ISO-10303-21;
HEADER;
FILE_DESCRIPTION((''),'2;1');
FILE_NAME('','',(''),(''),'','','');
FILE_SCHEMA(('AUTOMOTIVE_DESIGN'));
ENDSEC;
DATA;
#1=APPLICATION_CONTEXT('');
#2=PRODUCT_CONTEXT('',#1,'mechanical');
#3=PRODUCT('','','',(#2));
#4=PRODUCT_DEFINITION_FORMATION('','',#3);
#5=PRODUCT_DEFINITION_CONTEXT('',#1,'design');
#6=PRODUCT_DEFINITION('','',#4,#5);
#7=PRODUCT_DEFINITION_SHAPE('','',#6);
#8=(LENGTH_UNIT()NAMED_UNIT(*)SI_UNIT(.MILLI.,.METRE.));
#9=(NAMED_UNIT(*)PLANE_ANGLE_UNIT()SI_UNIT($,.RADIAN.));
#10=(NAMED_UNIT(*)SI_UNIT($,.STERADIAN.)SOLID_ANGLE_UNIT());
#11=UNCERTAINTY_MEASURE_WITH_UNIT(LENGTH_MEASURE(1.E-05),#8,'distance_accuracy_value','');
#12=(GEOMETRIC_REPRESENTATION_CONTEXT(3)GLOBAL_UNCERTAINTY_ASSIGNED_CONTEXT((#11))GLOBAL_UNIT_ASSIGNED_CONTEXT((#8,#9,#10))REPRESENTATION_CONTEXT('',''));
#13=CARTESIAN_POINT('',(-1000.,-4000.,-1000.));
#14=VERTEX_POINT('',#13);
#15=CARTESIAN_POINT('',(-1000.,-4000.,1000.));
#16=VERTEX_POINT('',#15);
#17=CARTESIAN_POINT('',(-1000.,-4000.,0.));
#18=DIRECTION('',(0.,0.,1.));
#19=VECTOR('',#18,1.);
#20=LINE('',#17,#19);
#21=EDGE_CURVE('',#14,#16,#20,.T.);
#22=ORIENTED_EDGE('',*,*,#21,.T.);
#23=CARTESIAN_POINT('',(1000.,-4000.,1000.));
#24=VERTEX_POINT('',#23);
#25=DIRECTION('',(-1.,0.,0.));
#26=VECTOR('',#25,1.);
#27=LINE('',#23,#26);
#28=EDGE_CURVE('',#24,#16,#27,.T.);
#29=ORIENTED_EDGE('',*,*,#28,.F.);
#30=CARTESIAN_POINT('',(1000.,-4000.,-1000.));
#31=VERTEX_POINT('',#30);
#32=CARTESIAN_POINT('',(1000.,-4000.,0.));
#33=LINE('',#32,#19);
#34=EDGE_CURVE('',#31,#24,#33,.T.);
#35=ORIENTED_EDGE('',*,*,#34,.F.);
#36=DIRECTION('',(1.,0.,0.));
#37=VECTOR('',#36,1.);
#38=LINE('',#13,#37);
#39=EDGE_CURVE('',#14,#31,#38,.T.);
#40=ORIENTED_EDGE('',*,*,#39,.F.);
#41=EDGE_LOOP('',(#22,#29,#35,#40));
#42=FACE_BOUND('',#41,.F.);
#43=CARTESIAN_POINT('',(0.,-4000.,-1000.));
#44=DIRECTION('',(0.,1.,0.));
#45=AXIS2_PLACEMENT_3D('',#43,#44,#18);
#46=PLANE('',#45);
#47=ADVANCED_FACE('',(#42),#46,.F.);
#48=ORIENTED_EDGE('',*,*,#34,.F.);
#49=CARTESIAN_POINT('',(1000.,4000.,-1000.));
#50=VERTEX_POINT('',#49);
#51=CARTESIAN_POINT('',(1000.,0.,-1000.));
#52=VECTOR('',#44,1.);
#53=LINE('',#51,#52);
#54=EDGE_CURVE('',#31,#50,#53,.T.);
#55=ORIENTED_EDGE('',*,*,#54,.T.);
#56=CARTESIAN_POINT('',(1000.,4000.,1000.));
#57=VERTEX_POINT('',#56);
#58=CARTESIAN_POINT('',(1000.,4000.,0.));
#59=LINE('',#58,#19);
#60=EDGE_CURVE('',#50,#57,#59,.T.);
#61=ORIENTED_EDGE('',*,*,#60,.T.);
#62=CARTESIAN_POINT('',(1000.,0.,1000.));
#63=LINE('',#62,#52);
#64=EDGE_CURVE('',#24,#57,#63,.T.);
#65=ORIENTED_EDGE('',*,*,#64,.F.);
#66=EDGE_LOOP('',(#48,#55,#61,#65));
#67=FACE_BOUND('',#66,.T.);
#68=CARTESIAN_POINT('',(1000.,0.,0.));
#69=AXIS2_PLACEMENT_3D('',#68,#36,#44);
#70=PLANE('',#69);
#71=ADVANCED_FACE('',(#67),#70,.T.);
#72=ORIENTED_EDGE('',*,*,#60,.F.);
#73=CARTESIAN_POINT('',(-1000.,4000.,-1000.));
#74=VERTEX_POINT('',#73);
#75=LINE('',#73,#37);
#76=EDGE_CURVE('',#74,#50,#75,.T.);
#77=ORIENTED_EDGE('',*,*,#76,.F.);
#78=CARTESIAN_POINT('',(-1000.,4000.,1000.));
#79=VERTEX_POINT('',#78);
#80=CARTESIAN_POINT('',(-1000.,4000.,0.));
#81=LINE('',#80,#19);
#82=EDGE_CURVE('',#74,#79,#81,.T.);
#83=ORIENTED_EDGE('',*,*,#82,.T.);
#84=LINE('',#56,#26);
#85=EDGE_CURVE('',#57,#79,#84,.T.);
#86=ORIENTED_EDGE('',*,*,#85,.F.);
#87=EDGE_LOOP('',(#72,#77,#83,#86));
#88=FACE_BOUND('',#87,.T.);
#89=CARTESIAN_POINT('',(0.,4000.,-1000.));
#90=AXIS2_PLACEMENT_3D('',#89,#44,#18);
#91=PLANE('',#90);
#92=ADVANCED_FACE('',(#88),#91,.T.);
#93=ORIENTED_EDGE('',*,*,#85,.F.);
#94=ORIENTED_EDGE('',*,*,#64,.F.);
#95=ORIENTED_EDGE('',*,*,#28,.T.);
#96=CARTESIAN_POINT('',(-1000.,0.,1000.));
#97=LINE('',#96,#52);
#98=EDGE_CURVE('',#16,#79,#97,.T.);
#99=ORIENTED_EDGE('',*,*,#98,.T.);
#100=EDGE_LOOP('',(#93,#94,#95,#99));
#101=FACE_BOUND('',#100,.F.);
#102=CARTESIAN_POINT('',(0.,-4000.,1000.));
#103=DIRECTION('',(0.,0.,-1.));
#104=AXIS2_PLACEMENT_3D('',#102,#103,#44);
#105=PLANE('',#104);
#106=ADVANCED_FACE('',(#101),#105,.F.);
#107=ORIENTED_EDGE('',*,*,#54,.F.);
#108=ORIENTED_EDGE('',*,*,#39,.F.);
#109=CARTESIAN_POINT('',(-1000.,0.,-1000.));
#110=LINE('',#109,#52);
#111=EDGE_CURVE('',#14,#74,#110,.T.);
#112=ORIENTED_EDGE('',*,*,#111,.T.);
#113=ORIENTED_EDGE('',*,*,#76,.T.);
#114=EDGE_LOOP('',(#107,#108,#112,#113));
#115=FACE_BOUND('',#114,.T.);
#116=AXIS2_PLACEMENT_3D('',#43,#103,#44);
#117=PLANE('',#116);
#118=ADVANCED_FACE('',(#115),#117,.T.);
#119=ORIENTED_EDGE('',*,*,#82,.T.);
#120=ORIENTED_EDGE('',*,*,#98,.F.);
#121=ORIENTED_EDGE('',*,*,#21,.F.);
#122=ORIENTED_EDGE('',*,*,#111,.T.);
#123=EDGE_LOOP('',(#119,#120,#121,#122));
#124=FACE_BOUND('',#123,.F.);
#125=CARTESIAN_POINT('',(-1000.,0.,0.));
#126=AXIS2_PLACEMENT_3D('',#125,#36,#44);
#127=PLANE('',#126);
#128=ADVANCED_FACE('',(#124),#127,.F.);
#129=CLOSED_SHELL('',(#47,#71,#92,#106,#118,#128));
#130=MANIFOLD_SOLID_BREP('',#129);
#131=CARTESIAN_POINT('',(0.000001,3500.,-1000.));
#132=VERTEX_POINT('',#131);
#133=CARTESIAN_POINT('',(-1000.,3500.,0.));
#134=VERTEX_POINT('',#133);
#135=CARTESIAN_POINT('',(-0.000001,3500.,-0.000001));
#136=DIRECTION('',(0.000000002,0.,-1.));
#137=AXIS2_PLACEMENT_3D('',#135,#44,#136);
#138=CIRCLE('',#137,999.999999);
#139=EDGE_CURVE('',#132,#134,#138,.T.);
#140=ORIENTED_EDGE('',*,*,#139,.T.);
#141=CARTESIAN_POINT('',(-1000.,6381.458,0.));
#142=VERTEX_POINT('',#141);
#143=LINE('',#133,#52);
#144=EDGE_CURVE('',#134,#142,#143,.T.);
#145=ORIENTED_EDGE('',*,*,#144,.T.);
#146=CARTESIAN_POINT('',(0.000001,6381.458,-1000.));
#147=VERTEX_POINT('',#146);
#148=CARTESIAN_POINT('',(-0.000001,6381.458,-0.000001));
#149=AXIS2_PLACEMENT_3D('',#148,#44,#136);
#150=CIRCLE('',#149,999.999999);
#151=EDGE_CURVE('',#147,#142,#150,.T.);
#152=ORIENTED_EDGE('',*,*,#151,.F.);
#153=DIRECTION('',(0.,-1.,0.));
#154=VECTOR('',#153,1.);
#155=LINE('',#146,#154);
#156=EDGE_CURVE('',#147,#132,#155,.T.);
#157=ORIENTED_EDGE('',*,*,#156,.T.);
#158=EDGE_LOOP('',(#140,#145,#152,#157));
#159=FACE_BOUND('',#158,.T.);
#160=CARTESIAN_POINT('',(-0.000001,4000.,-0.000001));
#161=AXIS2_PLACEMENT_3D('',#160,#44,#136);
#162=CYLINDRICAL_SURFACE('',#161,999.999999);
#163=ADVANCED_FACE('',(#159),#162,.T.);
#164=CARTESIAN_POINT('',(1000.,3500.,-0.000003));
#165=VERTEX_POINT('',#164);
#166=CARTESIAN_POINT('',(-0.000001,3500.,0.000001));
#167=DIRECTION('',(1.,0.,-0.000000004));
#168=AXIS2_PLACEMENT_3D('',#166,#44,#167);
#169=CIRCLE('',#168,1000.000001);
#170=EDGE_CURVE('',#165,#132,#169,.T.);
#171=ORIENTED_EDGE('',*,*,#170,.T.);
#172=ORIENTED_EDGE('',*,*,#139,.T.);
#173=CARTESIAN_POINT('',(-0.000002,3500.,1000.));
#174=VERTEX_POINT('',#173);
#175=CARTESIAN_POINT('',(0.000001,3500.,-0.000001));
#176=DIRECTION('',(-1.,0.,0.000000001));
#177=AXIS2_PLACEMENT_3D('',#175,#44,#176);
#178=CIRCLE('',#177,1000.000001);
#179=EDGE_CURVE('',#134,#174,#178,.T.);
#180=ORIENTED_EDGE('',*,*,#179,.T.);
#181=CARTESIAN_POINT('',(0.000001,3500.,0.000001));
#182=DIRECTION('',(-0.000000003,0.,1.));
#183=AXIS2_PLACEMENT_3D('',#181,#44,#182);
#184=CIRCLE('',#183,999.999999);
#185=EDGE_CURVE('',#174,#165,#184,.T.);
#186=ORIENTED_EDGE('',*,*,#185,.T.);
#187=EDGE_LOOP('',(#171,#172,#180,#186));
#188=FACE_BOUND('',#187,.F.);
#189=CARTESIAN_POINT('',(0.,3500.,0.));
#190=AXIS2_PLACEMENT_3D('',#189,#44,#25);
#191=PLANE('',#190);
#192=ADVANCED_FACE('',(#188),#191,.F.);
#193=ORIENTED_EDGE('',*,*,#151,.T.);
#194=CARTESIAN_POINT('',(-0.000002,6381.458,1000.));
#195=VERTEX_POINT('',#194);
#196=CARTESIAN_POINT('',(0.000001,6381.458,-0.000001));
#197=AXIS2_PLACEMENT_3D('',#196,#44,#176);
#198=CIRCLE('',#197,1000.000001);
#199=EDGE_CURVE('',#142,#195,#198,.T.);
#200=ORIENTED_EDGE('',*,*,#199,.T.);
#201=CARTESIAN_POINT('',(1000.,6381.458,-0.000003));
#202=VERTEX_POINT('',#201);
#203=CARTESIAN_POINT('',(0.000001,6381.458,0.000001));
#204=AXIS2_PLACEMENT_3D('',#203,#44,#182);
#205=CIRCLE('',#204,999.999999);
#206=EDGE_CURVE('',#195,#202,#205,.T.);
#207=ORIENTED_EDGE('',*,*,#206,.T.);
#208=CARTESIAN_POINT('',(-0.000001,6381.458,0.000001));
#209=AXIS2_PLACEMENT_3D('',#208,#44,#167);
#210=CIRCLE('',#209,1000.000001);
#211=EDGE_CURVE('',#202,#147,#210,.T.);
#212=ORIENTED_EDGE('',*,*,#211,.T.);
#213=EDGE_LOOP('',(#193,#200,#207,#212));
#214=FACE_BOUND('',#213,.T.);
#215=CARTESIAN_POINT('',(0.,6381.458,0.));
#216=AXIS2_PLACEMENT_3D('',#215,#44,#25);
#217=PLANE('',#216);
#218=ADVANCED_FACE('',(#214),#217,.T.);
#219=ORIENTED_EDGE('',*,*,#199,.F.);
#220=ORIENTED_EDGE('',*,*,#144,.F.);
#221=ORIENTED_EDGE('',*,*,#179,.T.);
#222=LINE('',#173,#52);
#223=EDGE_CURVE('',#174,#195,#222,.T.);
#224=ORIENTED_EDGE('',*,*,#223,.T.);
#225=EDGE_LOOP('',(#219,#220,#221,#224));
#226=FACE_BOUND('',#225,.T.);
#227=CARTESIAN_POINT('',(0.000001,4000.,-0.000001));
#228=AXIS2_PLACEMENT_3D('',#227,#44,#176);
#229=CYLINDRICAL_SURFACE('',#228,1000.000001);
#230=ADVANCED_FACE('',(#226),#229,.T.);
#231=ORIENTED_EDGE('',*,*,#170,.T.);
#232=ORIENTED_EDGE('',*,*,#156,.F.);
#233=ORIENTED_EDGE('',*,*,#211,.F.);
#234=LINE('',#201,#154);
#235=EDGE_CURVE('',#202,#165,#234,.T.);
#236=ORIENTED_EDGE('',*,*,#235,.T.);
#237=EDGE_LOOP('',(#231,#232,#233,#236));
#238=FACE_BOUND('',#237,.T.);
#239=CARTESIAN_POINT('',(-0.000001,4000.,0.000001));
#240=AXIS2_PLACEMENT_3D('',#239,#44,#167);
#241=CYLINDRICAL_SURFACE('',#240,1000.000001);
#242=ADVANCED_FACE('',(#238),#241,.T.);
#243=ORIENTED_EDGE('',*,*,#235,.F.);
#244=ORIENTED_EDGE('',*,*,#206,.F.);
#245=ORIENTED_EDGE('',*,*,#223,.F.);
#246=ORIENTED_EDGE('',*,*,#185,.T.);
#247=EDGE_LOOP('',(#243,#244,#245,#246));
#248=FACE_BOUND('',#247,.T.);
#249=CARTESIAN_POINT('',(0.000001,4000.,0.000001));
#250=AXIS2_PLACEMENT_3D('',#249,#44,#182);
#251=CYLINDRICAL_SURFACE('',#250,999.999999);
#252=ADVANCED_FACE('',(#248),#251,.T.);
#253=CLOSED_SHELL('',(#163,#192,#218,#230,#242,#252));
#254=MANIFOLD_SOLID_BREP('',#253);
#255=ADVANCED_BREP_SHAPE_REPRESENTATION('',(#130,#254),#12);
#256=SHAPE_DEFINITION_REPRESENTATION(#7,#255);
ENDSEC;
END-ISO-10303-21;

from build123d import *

# Parameters (mm, degrees)
F0_W          = 8000
F0_H          = 2000
F1_DEPTH      = 1000
F3_DEPTH      = 2381.458
F3_DEPTH_BACK = 500


with BuildPart() as f1:
    # F0 (on Right) → F1 (new body, symmetric)
    with BuildSketch(Plane.YZ):
        Rectangle(F0_W, F0_H)
    extrude(amount=F1_DEPTH, both=True)


with BuildPart() as f3:
    # F2 (on face) → F3 (new body, two sides)
    with BuildSketch(Plane(origin=(0, 4000, 0), x_dir=(-1, 0, 0), z_dir=(0, 1, 0))) as f3_sk:
        with BuildLine():
            ThreePointArc((-1e-06, -1000), (707.106781, -707.106782), (1000, 0))
            ThreePointArc((1000, 0), (707.106782, 707.10678), (2e-06, 1000))
            ThreePointArc((2e-06, 1000), (-707.106782, 707.106781), (-1000, -3e-06))
            ThreePointArc((-1000, -3e-06), (-707.10678, -707.106782), (-1e-06, -1000))
        make_face()
    extrude(amount=F3_DEPTH)
    extrude(f3_sk.sketch, amount=-F3_DEPTH_BACK)


solid = Compound([f1.part, f3.part])
